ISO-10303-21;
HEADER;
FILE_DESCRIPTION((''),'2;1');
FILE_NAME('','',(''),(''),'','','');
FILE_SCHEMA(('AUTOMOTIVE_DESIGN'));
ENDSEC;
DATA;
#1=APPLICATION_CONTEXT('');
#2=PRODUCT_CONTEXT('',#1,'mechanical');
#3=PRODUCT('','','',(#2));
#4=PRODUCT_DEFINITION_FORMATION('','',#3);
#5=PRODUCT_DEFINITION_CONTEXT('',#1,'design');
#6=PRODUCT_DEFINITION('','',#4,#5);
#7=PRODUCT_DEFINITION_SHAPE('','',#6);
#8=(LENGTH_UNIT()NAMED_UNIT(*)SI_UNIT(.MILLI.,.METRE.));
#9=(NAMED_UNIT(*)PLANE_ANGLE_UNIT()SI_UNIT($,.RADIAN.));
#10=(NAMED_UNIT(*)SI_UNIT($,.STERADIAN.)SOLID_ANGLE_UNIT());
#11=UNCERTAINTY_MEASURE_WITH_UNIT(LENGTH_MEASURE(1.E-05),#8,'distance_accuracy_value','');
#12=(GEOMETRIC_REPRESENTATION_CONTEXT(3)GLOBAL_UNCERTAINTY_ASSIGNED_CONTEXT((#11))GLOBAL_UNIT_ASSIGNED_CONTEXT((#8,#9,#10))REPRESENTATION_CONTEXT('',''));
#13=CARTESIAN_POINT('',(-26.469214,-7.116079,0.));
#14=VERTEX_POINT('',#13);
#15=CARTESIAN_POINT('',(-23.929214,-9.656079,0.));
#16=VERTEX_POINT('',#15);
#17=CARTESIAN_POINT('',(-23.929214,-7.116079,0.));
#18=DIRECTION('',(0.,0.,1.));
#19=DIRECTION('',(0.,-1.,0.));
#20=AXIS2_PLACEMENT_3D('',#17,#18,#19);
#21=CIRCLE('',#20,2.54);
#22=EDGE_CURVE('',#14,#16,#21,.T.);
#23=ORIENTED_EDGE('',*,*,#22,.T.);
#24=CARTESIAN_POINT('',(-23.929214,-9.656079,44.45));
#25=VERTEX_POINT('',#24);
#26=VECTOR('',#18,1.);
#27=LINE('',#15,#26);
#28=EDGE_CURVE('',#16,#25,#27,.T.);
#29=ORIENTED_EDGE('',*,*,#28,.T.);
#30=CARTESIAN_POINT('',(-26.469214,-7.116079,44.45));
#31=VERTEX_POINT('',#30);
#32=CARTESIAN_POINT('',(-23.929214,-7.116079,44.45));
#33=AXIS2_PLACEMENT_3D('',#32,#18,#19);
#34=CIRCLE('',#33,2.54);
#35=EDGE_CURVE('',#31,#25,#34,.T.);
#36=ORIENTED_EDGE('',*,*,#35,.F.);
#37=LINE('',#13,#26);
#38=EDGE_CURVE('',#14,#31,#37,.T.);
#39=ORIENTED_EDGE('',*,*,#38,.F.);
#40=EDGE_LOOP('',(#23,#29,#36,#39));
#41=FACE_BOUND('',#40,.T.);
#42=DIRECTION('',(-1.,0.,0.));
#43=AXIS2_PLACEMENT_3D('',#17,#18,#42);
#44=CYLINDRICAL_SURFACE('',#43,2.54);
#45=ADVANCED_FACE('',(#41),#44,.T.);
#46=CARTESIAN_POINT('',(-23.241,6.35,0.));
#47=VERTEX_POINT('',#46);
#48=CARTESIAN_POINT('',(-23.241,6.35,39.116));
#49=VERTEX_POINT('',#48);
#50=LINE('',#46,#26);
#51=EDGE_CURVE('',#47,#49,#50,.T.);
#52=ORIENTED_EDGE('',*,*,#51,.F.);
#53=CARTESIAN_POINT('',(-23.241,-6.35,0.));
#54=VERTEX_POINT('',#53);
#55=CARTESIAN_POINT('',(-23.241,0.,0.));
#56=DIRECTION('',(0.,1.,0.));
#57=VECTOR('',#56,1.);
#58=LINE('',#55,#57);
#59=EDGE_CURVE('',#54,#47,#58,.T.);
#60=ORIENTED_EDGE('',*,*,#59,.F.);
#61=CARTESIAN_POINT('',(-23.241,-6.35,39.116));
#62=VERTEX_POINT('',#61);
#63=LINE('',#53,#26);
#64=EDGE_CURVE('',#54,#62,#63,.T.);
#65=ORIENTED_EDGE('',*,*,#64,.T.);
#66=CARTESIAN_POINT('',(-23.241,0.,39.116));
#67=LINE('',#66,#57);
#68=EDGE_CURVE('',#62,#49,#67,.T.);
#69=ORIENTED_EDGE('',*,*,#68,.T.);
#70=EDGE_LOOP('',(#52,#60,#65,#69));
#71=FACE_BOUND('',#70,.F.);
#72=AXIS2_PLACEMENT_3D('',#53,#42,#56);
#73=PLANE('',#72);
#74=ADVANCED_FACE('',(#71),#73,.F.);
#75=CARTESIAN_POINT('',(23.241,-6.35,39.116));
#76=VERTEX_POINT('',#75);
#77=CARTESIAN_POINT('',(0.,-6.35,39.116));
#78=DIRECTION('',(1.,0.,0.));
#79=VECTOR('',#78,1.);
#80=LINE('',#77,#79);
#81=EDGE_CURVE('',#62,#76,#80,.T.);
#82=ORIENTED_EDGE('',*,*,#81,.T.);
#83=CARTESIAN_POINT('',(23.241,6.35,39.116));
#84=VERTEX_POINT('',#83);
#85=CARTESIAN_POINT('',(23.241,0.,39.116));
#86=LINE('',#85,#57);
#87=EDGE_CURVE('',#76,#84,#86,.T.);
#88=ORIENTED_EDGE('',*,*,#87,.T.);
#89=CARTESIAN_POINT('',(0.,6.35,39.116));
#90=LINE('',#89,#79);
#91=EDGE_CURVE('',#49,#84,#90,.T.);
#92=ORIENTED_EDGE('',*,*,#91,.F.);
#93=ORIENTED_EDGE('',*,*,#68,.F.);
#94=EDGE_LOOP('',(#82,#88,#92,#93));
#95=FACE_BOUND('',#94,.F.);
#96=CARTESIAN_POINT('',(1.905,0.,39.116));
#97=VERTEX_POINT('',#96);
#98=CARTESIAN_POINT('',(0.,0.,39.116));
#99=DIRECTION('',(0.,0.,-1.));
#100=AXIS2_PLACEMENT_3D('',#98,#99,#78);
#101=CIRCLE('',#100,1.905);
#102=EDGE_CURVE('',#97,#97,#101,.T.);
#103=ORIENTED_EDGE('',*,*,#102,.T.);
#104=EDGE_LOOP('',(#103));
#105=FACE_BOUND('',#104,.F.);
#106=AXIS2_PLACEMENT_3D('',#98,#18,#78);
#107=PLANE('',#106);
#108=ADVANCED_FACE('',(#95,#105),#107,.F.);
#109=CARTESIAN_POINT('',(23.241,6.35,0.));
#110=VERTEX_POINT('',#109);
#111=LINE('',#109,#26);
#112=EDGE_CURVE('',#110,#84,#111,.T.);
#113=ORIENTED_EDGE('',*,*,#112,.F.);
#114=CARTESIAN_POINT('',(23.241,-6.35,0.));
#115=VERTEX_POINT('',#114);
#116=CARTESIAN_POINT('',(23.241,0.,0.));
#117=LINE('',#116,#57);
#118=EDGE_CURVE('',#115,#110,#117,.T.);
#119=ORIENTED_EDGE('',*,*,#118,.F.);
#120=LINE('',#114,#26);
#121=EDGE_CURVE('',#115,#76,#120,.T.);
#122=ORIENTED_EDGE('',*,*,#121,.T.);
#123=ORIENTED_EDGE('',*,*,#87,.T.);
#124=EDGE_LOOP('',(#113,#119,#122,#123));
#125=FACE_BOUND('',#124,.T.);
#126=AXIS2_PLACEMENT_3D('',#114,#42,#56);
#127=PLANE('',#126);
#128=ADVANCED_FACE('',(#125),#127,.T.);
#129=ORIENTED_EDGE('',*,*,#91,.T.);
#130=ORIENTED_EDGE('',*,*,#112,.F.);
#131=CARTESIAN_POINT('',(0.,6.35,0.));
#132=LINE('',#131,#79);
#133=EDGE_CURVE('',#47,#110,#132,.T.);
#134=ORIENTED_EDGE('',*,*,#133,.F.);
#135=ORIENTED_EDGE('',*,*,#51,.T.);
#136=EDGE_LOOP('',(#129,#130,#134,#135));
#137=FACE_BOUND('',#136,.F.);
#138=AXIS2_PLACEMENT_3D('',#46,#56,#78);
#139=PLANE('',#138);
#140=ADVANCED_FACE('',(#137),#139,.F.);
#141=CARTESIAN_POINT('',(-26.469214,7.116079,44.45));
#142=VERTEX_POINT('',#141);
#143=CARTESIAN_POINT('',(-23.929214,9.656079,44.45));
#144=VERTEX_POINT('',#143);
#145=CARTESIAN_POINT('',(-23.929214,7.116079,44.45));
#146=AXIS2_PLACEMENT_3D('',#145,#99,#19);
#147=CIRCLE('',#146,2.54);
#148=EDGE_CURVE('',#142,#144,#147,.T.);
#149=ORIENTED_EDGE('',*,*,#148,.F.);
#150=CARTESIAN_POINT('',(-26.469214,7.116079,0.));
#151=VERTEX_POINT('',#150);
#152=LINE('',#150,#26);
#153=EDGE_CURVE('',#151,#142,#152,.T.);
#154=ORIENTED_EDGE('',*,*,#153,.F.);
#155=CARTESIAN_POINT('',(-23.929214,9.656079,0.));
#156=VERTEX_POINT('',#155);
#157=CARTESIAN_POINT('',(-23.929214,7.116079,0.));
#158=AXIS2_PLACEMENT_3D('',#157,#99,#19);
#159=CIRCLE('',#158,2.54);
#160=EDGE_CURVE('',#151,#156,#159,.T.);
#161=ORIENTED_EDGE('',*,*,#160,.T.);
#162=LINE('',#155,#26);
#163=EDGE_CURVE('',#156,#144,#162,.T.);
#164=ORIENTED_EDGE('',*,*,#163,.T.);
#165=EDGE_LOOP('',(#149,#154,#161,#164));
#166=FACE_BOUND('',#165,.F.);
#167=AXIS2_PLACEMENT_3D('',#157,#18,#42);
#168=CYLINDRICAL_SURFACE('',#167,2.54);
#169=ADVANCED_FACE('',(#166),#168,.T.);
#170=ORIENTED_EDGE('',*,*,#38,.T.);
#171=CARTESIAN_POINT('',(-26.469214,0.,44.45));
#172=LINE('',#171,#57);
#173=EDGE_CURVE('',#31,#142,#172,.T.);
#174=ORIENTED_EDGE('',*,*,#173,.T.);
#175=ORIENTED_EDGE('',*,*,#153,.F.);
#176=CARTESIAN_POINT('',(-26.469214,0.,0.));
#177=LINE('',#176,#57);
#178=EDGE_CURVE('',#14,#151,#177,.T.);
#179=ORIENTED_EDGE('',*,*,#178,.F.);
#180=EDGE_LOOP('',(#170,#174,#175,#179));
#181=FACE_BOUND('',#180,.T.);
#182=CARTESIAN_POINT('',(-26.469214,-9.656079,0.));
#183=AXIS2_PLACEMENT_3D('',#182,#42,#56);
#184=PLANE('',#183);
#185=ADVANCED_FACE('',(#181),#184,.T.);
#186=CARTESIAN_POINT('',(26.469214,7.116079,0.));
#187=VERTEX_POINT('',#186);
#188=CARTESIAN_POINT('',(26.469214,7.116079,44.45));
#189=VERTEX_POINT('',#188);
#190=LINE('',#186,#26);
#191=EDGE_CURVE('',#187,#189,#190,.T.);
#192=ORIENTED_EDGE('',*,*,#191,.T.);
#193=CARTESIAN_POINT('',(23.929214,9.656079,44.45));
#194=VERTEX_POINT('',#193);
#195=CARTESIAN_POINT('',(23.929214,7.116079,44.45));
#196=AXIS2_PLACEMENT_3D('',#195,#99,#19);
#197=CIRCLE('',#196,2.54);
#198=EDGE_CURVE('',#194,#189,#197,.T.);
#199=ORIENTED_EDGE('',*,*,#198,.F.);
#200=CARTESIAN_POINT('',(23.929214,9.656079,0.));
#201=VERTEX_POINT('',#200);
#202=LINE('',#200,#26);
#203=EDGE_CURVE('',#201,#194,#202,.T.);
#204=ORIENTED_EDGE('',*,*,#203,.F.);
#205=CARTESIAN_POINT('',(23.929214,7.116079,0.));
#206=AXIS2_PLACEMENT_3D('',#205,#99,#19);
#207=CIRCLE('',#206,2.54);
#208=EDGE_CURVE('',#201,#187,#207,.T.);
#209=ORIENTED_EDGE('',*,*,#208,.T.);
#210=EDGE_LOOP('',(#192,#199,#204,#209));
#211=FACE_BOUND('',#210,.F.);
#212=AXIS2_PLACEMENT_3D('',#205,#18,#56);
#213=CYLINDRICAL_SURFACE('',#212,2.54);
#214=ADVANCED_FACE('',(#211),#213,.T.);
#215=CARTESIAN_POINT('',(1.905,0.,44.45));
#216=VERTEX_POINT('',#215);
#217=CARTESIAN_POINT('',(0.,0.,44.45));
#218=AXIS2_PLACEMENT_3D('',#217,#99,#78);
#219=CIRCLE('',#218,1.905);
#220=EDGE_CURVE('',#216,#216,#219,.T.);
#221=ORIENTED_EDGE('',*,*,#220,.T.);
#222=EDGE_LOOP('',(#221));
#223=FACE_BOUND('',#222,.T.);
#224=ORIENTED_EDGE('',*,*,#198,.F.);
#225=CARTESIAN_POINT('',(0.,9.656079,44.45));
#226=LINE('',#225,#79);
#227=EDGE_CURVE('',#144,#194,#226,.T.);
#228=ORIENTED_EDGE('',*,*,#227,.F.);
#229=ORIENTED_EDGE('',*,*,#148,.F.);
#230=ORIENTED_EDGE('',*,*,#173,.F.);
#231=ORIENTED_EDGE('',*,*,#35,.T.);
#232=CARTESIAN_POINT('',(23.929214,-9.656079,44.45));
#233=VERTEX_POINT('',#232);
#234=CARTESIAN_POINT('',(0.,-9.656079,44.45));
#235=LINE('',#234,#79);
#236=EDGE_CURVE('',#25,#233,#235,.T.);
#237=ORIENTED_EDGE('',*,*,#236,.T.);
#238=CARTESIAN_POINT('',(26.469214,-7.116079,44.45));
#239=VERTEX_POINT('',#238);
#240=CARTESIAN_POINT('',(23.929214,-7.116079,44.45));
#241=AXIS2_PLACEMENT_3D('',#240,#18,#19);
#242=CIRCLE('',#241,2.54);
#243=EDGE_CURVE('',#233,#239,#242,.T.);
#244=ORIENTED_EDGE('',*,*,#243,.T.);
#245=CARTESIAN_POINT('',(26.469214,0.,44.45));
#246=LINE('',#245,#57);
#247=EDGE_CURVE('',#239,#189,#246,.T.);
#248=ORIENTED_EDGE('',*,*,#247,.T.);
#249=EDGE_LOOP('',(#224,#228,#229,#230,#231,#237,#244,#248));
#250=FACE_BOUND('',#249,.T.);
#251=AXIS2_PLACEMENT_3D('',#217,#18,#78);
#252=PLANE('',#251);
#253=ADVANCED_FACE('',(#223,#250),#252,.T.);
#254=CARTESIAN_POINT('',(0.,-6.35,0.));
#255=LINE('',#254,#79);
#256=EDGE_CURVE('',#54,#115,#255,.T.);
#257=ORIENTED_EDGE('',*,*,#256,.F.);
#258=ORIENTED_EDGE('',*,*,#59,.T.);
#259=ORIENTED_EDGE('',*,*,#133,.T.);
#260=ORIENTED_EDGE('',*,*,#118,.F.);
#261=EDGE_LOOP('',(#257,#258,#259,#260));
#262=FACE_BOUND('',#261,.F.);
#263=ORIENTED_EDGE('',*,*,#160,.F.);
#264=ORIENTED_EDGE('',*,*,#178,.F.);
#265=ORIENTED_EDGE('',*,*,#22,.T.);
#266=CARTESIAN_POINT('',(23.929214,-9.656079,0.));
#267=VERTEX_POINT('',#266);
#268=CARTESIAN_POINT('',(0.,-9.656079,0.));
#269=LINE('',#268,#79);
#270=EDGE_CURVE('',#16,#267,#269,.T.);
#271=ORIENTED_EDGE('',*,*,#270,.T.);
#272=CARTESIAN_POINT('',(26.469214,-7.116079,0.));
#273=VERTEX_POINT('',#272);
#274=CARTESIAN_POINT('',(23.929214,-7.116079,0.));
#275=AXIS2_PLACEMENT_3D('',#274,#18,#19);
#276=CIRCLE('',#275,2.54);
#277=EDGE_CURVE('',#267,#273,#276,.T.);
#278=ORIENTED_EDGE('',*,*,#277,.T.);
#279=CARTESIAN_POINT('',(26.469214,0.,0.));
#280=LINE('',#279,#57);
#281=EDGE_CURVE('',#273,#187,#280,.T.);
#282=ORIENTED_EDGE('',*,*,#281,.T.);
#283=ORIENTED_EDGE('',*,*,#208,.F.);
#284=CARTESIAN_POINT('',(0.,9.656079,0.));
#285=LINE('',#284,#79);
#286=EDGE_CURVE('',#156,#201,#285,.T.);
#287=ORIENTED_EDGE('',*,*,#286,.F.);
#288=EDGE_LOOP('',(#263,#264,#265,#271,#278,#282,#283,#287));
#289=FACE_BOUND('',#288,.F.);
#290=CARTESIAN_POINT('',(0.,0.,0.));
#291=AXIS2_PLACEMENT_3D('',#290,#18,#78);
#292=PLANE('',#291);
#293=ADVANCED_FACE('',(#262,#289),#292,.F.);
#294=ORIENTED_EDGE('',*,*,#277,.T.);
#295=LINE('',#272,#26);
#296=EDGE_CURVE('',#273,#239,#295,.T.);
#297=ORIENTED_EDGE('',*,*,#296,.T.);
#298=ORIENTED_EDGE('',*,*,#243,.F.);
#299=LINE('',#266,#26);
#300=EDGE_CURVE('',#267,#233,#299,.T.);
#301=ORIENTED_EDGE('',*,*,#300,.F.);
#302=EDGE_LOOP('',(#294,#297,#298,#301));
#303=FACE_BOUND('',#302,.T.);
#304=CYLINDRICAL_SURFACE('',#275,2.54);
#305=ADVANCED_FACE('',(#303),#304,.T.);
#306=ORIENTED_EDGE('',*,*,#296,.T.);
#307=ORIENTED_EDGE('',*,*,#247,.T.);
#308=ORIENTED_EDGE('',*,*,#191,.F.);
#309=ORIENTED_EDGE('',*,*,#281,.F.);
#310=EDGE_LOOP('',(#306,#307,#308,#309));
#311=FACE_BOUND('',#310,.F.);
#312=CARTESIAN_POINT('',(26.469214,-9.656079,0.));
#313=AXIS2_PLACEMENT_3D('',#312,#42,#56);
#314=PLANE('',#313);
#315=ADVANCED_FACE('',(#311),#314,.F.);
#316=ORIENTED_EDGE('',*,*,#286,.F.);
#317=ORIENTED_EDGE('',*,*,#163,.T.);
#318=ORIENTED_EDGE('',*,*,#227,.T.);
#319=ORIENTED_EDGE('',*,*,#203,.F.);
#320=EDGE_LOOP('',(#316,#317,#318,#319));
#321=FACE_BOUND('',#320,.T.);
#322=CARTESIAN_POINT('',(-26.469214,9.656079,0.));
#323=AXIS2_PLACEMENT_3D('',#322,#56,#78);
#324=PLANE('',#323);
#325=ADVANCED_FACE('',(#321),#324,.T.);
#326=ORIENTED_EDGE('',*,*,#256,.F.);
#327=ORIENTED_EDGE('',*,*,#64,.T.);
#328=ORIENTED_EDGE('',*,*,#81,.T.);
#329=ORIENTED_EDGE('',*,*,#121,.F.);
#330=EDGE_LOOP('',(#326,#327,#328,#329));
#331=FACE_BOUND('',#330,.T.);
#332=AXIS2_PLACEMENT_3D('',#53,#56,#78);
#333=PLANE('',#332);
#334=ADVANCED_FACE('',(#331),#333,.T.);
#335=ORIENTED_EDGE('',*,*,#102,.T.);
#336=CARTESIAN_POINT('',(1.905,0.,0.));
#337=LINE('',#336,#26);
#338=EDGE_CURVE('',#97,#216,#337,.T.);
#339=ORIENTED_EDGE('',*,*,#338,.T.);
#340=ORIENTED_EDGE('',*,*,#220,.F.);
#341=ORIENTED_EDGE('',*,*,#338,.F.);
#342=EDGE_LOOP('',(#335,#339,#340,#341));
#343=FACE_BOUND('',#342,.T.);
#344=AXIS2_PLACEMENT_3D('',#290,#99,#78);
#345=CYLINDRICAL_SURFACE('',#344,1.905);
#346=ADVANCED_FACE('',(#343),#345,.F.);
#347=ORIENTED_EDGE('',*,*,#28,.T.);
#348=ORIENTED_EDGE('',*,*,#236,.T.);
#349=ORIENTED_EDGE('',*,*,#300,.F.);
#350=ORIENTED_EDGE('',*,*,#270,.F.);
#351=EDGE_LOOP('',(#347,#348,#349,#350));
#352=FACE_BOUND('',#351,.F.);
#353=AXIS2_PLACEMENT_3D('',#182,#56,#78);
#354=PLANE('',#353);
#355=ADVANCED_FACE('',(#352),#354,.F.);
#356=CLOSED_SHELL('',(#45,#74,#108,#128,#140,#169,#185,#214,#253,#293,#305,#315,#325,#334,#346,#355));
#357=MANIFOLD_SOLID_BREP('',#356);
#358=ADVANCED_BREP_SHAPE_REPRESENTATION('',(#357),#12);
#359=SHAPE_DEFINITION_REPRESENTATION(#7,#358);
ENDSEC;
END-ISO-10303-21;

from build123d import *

# Parameters (mm, degrees)
F0_W     = 52.938428
F0_H     = 19.312158
F0_W_2   = 46.482
F0_H_2   = 12.7
F1_DEPTH = 44.45
F2_W     = 46.482
F2_H     = 12.7
F3_DEPTH = 39.116
F4_R     = 1.905
F5_DEPTH = 58.674
F6_R     = 2.54


with BuildPart() as f1:
    # F0 (on Top) → F1 (new body)
    with BuildSketch(Plane.XY):
        Rectangle(F0_W, F0_H)
        Rectangle(F0_W_2, F0_H_2, mode=Mode.SUBTRACT)
        Rectangle(F0_W_2, F0_H_2)
    extrude(amount=F1_DEPTH)

    # F2 (on Top) → F3 (cut)
    with BuildSketch(Plane.XY):
        Rectangle(F2_W, F2_H)
    extrude(amount=F3_DEPTH, mode=Mode.SUBTRACT)

    # F4 (on Top) → F5 (cut)
    with BuildSketch(Plane.XY):
        Circle(F4_R)
    extrude(amount=F5_DEPTH, mode=Mode.SUBTRACT)

    # F6
    f6_edges = [f1.edges().sort_by_distance(p)[0] for p in [
        (-26.469214, 9.656079, 22.225),
        (26.469214, 9.656079, 22.225),
        (-26.469214, -9.656079, 22.225),
        (26.469214, -9.656079, 22.225),
    ]]
    fillet(f6_edges, radius=F6_R)


solid = f1.part
